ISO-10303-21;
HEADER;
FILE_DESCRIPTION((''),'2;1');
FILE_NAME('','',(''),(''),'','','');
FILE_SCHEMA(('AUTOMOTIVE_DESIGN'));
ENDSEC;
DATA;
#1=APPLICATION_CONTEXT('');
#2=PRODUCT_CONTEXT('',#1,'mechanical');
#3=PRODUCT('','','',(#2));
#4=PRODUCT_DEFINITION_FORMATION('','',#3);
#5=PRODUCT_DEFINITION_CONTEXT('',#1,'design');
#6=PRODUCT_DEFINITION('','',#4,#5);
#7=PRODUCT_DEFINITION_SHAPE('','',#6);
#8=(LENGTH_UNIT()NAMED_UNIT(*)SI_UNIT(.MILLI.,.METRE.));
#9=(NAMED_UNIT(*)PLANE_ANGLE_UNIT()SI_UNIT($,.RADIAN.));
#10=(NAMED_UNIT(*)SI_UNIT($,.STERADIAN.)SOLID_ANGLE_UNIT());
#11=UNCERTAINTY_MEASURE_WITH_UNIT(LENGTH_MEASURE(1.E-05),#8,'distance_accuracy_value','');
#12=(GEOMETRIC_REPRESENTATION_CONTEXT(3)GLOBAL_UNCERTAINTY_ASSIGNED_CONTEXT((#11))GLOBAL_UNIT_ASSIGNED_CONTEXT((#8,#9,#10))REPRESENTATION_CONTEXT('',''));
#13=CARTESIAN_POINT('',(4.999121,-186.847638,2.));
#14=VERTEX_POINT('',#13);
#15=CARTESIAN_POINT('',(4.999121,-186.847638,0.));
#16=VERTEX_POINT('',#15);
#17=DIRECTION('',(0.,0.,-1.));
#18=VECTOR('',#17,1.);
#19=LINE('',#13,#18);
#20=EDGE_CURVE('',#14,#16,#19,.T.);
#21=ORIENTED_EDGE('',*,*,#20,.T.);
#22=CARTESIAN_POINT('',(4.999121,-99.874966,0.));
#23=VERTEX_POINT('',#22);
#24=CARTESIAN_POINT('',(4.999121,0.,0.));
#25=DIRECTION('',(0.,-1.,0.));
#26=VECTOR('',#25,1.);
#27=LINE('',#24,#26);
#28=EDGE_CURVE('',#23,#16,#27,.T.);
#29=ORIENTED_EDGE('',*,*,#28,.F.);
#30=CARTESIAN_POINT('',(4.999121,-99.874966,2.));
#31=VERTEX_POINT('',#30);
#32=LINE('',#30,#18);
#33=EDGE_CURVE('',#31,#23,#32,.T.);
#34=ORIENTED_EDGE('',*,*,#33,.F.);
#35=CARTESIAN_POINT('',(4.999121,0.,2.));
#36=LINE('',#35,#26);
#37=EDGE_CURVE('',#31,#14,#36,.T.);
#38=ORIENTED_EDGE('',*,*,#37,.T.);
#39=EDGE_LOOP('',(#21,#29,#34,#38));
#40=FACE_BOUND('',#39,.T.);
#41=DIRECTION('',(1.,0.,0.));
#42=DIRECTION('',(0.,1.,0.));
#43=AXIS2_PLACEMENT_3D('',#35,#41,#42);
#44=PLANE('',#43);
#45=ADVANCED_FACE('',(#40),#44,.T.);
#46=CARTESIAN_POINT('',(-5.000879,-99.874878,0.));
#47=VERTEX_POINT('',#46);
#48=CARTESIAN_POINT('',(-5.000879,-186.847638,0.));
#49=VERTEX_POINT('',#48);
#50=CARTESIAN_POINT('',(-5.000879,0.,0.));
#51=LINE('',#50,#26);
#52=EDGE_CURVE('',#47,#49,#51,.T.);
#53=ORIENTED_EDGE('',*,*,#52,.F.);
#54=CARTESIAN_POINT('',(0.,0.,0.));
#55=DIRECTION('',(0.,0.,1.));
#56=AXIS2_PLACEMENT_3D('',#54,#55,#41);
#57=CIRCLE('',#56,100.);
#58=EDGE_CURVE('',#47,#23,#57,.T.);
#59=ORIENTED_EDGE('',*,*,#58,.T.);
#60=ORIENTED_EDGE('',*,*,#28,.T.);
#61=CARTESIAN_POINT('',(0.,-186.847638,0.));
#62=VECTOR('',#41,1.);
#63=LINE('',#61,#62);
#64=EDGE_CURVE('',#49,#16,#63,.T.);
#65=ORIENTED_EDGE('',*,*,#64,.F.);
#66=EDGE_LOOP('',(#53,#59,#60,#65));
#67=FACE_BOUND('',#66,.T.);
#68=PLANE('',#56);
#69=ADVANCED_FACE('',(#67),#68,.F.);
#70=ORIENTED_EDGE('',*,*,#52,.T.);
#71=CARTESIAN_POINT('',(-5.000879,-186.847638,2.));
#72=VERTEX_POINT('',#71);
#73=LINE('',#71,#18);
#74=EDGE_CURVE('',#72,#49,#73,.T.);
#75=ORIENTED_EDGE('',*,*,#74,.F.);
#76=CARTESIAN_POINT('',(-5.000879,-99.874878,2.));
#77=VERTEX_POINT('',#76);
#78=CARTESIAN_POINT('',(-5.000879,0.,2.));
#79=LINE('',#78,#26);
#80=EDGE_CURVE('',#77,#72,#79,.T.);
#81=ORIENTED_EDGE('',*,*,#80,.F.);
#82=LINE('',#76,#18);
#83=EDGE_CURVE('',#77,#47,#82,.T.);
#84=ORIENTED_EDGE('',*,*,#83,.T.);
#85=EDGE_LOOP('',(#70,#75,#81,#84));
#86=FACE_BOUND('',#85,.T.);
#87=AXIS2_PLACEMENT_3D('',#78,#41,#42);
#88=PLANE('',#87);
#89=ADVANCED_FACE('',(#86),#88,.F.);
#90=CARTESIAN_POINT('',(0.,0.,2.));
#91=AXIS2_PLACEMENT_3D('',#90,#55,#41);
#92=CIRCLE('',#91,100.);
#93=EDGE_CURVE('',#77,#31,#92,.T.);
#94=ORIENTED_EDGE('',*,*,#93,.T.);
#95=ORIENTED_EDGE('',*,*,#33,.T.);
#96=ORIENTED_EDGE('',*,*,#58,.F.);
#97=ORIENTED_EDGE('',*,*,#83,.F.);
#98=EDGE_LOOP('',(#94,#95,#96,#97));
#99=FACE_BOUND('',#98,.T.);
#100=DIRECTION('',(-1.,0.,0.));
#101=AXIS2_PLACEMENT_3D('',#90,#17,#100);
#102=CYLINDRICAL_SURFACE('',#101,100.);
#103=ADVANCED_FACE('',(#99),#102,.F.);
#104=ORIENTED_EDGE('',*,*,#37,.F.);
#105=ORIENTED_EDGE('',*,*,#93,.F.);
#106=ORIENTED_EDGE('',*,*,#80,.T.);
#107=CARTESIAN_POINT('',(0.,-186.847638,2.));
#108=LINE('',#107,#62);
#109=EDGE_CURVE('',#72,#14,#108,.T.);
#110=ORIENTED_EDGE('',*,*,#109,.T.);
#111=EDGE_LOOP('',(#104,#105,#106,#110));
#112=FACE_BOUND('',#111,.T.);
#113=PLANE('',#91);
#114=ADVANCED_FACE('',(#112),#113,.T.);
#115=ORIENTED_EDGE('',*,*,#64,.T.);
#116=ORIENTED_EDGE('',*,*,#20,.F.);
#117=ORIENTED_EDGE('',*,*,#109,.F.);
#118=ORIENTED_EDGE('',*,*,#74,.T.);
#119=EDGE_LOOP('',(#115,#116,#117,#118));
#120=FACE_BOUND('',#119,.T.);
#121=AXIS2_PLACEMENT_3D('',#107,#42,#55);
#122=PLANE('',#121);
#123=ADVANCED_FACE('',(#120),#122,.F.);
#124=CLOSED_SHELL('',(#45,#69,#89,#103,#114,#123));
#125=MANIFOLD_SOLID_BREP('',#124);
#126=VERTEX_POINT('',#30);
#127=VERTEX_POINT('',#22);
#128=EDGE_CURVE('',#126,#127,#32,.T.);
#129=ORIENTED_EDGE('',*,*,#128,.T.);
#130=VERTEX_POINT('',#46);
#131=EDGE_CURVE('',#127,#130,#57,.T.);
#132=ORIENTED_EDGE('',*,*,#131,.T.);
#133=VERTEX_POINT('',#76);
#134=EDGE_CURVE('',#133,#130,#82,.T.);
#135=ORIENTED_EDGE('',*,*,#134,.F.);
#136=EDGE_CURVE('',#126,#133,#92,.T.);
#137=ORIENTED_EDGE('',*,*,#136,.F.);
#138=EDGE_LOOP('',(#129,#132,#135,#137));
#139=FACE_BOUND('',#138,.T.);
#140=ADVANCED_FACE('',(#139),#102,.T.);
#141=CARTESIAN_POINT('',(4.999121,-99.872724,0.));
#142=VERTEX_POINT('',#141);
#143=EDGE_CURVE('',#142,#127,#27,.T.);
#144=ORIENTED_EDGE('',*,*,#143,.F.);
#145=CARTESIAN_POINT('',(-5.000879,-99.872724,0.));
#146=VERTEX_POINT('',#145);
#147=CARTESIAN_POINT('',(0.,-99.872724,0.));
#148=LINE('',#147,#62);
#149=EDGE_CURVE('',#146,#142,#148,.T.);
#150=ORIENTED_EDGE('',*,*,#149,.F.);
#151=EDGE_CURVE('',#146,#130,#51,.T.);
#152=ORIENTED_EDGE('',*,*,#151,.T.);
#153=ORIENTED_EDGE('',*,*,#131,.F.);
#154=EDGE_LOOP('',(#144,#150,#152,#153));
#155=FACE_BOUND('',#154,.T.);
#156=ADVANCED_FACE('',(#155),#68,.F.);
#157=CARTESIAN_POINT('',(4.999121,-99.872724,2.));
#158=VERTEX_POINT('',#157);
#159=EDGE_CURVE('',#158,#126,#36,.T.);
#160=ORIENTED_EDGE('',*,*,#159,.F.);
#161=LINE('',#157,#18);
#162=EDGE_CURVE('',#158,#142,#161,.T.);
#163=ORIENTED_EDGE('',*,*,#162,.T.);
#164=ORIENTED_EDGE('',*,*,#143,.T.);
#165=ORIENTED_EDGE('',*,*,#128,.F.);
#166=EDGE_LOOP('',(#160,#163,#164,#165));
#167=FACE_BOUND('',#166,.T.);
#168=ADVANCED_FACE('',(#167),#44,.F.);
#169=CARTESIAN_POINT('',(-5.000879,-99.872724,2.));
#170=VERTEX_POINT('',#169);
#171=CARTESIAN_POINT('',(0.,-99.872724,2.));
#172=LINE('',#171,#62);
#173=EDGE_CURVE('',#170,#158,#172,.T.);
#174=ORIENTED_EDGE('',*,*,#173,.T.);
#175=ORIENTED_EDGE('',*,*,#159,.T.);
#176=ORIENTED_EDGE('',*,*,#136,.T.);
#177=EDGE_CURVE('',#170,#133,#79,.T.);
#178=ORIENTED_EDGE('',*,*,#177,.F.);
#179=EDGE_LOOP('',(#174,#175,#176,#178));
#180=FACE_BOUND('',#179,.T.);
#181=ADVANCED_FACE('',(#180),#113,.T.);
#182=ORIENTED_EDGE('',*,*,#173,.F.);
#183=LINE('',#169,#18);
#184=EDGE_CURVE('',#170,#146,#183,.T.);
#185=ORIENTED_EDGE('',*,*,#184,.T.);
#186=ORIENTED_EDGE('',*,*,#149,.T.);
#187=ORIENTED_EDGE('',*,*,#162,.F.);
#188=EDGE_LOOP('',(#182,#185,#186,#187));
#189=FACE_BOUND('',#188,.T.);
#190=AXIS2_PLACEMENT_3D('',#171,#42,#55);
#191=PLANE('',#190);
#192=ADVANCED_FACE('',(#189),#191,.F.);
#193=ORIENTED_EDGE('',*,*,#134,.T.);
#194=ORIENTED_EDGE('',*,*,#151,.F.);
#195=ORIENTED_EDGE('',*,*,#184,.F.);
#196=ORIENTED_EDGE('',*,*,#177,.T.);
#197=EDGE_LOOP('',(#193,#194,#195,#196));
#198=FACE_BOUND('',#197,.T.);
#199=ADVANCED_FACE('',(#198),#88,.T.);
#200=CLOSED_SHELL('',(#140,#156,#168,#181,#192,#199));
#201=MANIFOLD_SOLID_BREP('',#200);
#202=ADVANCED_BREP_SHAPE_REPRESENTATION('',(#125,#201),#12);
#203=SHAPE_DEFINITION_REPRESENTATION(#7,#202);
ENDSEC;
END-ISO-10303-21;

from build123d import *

# Parameters (mm, degrees)
EXTRUDE_2_DEPTH   = 2
EXTRUDE_2_2_DEPTH = 2


with BuildPart() as part:
    # 草图1 → 凸台-拉伸2 (new body)
    with BuildSketch(Plane.XY):
        with BuildLine():
            ThreePointArc((4.999120694, -99.874965794), (-0.000880407, -99.999999996), (-5.000879306, -99.874877753))
            Line((-5.000879306, -99.874877753), (-5.000879306, -186.847638142))
            Line((-5.000879306, -186.847638142), (4.999120694, -186.847638142))
            Line((4.999120694, -186.847638142), (4.999120694, -99.874965794))
        make_face()
    extrude(amount=EXTRUDE_2_DEPTH)


with BuildPart() as body_2:
    # 草图1 → Extrude 2 2 (new body)
    with BuildSketch(Plane.XY):
        with BuildLine():
            Line((-5.000879306, -99.874877753), (-5.000879306, -99.872723805))
            Line((-5.000879306, -99.872723805), (4.999120694, -99.872723805))
            Line((4.999120694, -99.872723805), (4.999120694, -99.874965794))
            ThreePointArc((4.999120694, -99.874965794), (72.456580341, -68.920562718), (100, 0))
            ThreePointArc((100, 0), (-68.919924802, 72.45718712), (-5.000879306, -99.874877753))
        make_face()
    extrude(amount=EXTRUDE_2_2_DEPTH)


solid = Compound([part.part, body_2.part])
